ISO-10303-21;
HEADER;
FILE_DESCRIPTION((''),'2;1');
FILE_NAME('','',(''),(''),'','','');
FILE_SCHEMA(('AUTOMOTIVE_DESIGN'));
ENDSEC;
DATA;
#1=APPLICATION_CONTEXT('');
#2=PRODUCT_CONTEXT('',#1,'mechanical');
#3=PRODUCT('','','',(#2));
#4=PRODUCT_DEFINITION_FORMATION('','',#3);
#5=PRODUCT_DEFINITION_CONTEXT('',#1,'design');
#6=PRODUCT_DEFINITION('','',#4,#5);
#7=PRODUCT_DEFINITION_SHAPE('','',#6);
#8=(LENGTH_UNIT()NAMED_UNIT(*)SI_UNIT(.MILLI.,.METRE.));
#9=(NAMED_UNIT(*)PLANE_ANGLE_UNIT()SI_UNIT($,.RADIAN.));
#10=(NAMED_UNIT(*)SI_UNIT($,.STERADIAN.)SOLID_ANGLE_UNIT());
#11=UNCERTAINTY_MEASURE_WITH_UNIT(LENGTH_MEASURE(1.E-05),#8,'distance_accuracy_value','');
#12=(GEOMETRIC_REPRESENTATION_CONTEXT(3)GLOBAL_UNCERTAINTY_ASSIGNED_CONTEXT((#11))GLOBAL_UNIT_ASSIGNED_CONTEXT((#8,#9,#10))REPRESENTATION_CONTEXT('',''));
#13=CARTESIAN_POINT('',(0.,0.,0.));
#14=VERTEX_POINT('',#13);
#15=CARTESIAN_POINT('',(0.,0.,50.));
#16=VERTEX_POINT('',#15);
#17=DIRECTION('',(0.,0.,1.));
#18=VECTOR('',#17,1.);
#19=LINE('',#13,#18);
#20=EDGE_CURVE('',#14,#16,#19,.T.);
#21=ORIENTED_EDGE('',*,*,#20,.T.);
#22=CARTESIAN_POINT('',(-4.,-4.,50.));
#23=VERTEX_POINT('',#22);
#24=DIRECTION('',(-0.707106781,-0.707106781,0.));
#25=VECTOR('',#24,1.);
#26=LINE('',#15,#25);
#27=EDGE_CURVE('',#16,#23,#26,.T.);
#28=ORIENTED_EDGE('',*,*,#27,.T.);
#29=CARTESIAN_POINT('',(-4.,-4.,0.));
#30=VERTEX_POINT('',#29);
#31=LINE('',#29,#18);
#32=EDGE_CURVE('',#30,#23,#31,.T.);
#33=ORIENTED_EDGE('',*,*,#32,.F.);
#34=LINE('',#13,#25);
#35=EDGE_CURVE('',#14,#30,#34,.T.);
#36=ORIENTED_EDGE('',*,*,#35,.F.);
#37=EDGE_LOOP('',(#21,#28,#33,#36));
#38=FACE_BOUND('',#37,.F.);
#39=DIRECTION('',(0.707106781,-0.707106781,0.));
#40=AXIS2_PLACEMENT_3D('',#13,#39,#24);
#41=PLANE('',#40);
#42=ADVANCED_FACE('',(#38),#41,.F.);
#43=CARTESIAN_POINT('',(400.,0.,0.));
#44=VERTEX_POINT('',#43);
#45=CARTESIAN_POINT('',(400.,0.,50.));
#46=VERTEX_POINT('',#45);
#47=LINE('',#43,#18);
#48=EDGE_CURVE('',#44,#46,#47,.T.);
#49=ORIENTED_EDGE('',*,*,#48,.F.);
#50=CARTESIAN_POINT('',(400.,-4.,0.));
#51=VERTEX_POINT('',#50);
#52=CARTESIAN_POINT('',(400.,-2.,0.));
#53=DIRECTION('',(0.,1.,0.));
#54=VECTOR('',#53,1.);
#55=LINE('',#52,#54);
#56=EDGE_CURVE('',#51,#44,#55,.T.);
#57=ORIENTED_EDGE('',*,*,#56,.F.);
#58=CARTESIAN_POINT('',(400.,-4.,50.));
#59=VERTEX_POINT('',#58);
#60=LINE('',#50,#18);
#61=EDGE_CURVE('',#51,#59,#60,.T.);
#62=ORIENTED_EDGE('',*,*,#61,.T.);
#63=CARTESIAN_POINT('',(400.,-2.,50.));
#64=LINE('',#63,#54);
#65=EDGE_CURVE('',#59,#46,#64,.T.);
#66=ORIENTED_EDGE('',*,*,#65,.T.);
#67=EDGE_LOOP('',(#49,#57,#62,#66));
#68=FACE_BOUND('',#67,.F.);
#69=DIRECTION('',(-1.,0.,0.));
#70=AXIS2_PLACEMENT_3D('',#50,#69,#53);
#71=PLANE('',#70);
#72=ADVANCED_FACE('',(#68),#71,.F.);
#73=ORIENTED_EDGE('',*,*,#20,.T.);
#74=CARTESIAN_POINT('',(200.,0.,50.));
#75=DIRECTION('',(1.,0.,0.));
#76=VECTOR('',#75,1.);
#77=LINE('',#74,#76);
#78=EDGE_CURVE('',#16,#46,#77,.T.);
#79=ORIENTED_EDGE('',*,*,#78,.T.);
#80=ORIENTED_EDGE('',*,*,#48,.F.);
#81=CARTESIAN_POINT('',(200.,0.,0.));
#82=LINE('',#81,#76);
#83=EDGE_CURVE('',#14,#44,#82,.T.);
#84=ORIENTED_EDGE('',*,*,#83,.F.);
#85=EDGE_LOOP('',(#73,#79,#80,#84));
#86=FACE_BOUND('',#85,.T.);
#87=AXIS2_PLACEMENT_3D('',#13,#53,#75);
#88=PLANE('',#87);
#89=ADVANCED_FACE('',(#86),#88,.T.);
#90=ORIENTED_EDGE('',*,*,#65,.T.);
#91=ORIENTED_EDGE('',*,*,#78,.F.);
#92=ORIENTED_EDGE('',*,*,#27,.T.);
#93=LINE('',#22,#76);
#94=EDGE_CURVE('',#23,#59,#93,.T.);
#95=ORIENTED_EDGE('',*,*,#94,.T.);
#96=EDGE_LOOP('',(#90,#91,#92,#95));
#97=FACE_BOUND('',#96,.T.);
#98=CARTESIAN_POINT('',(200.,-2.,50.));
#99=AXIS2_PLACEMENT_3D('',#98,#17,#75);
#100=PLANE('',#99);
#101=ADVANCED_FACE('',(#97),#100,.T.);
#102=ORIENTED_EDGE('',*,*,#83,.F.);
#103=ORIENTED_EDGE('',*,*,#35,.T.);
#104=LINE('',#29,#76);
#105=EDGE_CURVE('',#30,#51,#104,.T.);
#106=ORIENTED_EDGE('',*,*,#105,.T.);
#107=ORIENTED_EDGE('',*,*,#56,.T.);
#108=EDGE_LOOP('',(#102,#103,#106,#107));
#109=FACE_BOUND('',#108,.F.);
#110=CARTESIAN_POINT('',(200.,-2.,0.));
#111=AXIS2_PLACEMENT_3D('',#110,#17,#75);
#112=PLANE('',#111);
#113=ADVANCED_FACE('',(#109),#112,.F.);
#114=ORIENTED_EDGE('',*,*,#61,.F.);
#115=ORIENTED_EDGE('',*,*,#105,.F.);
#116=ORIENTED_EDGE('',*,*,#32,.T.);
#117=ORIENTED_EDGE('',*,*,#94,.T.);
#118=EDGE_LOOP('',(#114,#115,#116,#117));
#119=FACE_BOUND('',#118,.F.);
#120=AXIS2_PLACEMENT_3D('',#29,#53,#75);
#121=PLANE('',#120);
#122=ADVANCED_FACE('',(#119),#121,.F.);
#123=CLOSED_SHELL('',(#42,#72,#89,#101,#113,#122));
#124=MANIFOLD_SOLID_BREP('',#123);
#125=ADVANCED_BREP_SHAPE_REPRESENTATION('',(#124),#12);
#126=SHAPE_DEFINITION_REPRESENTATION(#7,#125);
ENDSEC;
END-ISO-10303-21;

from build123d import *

# Parameters (mm, degrees)
F0_W     = 400
F0_H     = 4
F1_DEPTH = 50


with BuildPart() as f1:
    # F0 (on Top) → F1 (new body)
    with BuildSketch(Plane.XY):
        with Locations((200, -2)):
            Rectangle(F0_W, F0_H)
        Polygon((0, -4), (0, 0), (-4, -4), align=None)
    extrude(amount=F1_DEPTH)


solid = f1.part
